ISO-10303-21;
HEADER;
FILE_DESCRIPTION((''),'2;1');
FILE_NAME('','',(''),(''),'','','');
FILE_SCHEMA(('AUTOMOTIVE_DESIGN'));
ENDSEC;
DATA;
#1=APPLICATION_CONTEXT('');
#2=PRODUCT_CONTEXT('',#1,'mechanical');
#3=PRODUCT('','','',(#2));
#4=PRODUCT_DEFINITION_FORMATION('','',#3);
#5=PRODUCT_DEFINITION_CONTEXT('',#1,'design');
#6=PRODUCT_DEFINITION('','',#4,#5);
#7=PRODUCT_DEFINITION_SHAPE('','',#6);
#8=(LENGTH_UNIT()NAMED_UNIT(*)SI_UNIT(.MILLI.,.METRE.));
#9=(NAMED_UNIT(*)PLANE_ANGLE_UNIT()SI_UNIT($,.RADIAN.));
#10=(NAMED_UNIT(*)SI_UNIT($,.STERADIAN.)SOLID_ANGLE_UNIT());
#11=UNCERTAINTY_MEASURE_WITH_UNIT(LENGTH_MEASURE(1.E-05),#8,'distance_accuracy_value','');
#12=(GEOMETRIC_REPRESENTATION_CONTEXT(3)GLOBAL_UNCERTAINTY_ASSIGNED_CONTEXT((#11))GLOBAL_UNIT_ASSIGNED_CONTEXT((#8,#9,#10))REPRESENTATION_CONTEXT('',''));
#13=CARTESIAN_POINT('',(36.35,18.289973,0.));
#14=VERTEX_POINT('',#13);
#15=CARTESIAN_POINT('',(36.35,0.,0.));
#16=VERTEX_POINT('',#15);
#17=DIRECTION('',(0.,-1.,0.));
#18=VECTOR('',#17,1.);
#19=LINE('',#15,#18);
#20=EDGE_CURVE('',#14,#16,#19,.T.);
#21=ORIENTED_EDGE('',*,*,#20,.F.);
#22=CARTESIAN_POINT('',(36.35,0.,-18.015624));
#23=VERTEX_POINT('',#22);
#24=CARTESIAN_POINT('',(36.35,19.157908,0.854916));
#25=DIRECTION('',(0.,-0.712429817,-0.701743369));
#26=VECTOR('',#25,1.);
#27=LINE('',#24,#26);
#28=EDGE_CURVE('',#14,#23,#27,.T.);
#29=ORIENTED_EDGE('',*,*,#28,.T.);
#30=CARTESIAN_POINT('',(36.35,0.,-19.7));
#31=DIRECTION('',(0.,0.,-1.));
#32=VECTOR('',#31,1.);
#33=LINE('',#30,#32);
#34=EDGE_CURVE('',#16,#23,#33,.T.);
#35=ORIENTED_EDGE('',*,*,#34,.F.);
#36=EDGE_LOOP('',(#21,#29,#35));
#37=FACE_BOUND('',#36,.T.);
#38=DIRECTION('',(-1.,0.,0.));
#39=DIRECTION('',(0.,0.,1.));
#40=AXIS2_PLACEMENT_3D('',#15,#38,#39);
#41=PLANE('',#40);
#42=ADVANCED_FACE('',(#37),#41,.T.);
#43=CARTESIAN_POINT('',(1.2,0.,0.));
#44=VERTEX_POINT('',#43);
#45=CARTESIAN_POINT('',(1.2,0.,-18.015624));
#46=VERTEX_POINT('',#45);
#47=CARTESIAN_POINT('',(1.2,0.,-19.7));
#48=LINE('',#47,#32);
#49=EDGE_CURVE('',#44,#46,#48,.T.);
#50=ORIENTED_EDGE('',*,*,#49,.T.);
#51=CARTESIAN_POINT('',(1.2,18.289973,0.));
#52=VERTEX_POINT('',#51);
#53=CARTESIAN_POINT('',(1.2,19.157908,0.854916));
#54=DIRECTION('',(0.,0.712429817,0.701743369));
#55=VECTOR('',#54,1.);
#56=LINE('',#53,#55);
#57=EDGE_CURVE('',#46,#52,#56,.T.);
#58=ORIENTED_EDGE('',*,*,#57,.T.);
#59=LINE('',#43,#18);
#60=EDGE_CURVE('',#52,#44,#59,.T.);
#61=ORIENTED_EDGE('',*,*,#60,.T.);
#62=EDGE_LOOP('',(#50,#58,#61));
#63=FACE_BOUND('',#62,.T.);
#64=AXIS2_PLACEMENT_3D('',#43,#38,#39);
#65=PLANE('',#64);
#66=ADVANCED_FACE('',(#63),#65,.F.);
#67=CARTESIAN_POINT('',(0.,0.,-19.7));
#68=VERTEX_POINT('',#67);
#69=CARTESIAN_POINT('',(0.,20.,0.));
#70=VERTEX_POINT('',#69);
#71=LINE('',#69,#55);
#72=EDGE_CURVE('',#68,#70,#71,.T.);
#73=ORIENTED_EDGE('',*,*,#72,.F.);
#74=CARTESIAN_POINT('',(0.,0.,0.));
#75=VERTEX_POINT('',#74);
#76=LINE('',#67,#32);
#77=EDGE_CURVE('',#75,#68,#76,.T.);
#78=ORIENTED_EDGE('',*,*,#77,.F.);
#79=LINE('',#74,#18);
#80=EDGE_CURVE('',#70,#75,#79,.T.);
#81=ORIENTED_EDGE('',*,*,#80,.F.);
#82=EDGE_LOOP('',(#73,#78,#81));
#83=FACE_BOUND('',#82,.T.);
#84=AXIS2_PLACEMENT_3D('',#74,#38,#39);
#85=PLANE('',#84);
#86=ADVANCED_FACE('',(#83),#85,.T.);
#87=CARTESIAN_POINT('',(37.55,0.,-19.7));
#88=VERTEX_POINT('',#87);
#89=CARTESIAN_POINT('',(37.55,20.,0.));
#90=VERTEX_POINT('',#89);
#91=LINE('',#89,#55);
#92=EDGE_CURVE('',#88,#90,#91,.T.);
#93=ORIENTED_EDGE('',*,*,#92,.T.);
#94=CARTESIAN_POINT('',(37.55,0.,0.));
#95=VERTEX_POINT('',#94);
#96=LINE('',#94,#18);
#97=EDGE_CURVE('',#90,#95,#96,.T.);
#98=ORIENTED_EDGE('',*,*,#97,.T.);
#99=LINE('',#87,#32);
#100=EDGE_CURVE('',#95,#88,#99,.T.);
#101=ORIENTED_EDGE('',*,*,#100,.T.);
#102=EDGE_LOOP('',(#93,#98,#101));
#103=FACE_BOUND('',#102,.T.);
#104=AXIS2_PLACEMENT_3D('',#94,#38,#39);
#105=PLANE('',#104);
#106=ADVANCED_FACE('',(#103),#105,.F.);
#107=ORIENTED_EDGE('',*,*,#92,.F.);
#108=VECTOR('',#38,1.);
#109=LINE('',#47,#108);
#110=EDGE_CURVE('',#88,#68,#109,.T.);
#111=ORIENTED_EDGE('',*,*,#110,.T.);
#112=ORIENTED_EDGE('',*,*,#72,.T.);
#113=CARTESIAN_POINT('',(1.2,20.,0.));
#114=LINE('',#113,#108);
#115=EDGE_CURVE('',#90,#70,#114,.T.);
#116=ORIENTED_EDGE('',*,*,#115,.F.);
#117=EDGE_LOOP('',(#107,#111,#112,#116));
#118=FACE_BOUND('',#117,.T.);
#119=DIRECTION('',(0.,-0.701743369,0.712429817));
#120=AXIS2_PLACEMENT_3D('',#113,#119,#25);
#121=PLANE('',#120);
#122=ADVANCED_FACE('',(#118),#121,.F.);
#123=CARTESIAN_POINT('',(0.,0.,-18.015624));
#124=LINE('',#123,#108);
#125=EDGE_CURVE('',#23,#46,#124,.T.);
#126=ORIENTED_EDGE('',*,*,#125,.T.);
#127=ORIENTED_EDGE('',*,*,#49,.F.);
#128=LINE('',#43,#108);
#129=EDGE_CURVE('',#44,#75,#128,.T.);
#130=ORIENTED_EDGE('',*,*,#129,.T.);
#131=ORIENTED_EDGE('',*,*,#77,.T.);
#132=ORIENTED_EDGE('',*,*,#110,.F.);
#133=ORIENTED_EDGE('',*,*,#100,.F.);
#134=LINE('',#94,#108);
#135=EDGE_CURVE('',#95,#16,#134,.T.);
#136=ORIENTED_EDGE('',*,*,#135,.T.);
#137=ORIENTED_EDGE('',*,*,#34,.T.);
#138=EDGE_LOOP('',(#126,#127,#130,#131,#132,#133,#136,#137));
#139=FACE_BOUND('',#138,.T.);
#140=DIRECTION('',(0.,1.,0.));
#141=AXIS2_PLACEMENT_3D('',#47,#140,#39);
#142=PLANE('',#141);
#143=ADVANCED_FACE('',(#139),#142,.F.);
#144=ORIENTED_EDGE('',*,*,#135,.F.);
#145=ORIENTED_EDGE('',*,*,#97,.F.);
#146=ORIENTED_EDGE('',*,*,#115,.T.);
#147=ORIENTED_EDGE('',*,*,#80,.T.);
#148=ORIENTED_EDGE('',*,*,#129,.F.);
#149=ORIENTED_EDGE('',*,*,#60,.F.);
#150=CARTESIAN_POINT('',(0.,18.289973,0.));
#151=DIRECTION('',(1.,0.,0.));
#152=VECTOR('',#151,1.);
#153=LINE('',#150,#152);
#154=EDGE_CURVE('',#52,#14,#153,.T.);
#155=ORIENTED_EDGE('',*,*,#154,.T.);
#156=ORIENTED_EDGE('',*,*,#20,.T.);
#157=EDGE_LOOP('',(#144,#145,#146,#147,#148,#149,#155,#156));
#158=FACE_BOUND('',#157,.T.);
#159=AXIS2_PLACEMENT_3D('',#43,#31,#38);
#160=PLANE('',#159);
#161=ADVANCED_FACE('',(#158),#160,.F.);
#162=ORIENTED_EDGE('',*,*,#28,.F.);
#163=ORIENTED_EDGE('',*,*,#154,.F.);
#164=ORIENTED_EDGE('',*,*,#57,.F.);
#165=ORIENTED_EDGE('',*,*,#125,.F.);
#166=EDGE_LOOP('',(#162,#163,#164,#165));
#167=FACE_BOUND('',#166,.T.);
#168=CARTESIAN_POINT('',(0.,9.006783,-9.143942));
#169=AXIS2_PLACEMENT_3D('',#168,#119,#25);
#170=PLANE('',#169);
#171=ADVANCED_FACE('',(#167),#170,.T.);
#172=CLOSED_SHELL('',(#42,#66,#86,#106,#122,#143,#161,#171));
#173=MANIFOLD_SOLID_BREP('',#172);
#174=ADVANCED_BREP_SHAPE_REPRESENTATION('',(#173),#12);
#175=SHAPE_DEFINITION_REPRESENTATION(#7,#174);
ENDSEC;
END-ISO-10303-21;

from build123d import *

# Parameters (mm, degrees)
P_IDAT_VYSUNUT_M1_DEPTH  = 1.2
SKICA2_W                 = 35.15
SKICA2_H                 = 28.072940708
P_IDAT_VYSUNUT_M2_DEPTH  = 1.2
LINPOLE1_COUNT           = 2
LINPOLE1_PITCH           = 36.35
SKICA3_W                 = 2.46853356
SKICA3_H                 = 4.337658353
SKICA3_W_2               = 5.363858138
SKICA3_H_2               = 3.395185275
ODEBRAT_VYSUNUT_M1_DEPTH = 47.88381917


with BuildPart() as part:
    # Skica1 → Přidat vysunutím1 (new body)
    with BuildSketch(Plane(origin=(0, 0, 0), x_dir=(0, 0, -1), z_dir=(1, 0, 0))):
        Polygon((0, 0), (0, 20), (19.7, 0), align=None)
    p_idat_vysunut_m1 = extrude(amount=P_IDAT_VYSUNUT_M1_DEPTH)

    # Skica2 → Přidat vysunutím2 (add)
    with BuildSketch(Plane(origin=(0, 9.848875128, -9.998857998), x_dir=(-1, 0, 0), z_dir=(0, 0.7017433693479112, -0.7124298165968641))):
        with Locations((-18.775, 0.212125978)):
            Rectangle(SKICA2_W, SKICA2_H)
    extrude(amount=-P_IDAT_VYSUNUT_M2_DEPTH)

    # LinPole1: Přidat vysunutím1 ×2
    with Locations(*[(i * LINPOLE1_PITCH, 0, 0) for i in range(1, LINPOLE1_COUNT)]):
        add(p_idat_vysunut_m1)

    # Skica3 → Odebrat vysunutím1 (cut, through all)
    with BuildSketch(Plane(origin=(37.55, 0, 0), x_dir=(0, 0, -1), z_dir=(1, 0, 0))):
        with Locations((-1.23426678, 19.003869159)):
            Rectangle(SKICA3_W, SKICA3_H)
        with Locations((19.532023183, -1.697592638)):
            Rectangle(SKICA3_W_2, SKICA3_H_2)
    extrude(amount=-ODEBRAT_VYSUNUT_M1_DEPTH, mode=Mode.SUBTRACT)


solid = part.part
